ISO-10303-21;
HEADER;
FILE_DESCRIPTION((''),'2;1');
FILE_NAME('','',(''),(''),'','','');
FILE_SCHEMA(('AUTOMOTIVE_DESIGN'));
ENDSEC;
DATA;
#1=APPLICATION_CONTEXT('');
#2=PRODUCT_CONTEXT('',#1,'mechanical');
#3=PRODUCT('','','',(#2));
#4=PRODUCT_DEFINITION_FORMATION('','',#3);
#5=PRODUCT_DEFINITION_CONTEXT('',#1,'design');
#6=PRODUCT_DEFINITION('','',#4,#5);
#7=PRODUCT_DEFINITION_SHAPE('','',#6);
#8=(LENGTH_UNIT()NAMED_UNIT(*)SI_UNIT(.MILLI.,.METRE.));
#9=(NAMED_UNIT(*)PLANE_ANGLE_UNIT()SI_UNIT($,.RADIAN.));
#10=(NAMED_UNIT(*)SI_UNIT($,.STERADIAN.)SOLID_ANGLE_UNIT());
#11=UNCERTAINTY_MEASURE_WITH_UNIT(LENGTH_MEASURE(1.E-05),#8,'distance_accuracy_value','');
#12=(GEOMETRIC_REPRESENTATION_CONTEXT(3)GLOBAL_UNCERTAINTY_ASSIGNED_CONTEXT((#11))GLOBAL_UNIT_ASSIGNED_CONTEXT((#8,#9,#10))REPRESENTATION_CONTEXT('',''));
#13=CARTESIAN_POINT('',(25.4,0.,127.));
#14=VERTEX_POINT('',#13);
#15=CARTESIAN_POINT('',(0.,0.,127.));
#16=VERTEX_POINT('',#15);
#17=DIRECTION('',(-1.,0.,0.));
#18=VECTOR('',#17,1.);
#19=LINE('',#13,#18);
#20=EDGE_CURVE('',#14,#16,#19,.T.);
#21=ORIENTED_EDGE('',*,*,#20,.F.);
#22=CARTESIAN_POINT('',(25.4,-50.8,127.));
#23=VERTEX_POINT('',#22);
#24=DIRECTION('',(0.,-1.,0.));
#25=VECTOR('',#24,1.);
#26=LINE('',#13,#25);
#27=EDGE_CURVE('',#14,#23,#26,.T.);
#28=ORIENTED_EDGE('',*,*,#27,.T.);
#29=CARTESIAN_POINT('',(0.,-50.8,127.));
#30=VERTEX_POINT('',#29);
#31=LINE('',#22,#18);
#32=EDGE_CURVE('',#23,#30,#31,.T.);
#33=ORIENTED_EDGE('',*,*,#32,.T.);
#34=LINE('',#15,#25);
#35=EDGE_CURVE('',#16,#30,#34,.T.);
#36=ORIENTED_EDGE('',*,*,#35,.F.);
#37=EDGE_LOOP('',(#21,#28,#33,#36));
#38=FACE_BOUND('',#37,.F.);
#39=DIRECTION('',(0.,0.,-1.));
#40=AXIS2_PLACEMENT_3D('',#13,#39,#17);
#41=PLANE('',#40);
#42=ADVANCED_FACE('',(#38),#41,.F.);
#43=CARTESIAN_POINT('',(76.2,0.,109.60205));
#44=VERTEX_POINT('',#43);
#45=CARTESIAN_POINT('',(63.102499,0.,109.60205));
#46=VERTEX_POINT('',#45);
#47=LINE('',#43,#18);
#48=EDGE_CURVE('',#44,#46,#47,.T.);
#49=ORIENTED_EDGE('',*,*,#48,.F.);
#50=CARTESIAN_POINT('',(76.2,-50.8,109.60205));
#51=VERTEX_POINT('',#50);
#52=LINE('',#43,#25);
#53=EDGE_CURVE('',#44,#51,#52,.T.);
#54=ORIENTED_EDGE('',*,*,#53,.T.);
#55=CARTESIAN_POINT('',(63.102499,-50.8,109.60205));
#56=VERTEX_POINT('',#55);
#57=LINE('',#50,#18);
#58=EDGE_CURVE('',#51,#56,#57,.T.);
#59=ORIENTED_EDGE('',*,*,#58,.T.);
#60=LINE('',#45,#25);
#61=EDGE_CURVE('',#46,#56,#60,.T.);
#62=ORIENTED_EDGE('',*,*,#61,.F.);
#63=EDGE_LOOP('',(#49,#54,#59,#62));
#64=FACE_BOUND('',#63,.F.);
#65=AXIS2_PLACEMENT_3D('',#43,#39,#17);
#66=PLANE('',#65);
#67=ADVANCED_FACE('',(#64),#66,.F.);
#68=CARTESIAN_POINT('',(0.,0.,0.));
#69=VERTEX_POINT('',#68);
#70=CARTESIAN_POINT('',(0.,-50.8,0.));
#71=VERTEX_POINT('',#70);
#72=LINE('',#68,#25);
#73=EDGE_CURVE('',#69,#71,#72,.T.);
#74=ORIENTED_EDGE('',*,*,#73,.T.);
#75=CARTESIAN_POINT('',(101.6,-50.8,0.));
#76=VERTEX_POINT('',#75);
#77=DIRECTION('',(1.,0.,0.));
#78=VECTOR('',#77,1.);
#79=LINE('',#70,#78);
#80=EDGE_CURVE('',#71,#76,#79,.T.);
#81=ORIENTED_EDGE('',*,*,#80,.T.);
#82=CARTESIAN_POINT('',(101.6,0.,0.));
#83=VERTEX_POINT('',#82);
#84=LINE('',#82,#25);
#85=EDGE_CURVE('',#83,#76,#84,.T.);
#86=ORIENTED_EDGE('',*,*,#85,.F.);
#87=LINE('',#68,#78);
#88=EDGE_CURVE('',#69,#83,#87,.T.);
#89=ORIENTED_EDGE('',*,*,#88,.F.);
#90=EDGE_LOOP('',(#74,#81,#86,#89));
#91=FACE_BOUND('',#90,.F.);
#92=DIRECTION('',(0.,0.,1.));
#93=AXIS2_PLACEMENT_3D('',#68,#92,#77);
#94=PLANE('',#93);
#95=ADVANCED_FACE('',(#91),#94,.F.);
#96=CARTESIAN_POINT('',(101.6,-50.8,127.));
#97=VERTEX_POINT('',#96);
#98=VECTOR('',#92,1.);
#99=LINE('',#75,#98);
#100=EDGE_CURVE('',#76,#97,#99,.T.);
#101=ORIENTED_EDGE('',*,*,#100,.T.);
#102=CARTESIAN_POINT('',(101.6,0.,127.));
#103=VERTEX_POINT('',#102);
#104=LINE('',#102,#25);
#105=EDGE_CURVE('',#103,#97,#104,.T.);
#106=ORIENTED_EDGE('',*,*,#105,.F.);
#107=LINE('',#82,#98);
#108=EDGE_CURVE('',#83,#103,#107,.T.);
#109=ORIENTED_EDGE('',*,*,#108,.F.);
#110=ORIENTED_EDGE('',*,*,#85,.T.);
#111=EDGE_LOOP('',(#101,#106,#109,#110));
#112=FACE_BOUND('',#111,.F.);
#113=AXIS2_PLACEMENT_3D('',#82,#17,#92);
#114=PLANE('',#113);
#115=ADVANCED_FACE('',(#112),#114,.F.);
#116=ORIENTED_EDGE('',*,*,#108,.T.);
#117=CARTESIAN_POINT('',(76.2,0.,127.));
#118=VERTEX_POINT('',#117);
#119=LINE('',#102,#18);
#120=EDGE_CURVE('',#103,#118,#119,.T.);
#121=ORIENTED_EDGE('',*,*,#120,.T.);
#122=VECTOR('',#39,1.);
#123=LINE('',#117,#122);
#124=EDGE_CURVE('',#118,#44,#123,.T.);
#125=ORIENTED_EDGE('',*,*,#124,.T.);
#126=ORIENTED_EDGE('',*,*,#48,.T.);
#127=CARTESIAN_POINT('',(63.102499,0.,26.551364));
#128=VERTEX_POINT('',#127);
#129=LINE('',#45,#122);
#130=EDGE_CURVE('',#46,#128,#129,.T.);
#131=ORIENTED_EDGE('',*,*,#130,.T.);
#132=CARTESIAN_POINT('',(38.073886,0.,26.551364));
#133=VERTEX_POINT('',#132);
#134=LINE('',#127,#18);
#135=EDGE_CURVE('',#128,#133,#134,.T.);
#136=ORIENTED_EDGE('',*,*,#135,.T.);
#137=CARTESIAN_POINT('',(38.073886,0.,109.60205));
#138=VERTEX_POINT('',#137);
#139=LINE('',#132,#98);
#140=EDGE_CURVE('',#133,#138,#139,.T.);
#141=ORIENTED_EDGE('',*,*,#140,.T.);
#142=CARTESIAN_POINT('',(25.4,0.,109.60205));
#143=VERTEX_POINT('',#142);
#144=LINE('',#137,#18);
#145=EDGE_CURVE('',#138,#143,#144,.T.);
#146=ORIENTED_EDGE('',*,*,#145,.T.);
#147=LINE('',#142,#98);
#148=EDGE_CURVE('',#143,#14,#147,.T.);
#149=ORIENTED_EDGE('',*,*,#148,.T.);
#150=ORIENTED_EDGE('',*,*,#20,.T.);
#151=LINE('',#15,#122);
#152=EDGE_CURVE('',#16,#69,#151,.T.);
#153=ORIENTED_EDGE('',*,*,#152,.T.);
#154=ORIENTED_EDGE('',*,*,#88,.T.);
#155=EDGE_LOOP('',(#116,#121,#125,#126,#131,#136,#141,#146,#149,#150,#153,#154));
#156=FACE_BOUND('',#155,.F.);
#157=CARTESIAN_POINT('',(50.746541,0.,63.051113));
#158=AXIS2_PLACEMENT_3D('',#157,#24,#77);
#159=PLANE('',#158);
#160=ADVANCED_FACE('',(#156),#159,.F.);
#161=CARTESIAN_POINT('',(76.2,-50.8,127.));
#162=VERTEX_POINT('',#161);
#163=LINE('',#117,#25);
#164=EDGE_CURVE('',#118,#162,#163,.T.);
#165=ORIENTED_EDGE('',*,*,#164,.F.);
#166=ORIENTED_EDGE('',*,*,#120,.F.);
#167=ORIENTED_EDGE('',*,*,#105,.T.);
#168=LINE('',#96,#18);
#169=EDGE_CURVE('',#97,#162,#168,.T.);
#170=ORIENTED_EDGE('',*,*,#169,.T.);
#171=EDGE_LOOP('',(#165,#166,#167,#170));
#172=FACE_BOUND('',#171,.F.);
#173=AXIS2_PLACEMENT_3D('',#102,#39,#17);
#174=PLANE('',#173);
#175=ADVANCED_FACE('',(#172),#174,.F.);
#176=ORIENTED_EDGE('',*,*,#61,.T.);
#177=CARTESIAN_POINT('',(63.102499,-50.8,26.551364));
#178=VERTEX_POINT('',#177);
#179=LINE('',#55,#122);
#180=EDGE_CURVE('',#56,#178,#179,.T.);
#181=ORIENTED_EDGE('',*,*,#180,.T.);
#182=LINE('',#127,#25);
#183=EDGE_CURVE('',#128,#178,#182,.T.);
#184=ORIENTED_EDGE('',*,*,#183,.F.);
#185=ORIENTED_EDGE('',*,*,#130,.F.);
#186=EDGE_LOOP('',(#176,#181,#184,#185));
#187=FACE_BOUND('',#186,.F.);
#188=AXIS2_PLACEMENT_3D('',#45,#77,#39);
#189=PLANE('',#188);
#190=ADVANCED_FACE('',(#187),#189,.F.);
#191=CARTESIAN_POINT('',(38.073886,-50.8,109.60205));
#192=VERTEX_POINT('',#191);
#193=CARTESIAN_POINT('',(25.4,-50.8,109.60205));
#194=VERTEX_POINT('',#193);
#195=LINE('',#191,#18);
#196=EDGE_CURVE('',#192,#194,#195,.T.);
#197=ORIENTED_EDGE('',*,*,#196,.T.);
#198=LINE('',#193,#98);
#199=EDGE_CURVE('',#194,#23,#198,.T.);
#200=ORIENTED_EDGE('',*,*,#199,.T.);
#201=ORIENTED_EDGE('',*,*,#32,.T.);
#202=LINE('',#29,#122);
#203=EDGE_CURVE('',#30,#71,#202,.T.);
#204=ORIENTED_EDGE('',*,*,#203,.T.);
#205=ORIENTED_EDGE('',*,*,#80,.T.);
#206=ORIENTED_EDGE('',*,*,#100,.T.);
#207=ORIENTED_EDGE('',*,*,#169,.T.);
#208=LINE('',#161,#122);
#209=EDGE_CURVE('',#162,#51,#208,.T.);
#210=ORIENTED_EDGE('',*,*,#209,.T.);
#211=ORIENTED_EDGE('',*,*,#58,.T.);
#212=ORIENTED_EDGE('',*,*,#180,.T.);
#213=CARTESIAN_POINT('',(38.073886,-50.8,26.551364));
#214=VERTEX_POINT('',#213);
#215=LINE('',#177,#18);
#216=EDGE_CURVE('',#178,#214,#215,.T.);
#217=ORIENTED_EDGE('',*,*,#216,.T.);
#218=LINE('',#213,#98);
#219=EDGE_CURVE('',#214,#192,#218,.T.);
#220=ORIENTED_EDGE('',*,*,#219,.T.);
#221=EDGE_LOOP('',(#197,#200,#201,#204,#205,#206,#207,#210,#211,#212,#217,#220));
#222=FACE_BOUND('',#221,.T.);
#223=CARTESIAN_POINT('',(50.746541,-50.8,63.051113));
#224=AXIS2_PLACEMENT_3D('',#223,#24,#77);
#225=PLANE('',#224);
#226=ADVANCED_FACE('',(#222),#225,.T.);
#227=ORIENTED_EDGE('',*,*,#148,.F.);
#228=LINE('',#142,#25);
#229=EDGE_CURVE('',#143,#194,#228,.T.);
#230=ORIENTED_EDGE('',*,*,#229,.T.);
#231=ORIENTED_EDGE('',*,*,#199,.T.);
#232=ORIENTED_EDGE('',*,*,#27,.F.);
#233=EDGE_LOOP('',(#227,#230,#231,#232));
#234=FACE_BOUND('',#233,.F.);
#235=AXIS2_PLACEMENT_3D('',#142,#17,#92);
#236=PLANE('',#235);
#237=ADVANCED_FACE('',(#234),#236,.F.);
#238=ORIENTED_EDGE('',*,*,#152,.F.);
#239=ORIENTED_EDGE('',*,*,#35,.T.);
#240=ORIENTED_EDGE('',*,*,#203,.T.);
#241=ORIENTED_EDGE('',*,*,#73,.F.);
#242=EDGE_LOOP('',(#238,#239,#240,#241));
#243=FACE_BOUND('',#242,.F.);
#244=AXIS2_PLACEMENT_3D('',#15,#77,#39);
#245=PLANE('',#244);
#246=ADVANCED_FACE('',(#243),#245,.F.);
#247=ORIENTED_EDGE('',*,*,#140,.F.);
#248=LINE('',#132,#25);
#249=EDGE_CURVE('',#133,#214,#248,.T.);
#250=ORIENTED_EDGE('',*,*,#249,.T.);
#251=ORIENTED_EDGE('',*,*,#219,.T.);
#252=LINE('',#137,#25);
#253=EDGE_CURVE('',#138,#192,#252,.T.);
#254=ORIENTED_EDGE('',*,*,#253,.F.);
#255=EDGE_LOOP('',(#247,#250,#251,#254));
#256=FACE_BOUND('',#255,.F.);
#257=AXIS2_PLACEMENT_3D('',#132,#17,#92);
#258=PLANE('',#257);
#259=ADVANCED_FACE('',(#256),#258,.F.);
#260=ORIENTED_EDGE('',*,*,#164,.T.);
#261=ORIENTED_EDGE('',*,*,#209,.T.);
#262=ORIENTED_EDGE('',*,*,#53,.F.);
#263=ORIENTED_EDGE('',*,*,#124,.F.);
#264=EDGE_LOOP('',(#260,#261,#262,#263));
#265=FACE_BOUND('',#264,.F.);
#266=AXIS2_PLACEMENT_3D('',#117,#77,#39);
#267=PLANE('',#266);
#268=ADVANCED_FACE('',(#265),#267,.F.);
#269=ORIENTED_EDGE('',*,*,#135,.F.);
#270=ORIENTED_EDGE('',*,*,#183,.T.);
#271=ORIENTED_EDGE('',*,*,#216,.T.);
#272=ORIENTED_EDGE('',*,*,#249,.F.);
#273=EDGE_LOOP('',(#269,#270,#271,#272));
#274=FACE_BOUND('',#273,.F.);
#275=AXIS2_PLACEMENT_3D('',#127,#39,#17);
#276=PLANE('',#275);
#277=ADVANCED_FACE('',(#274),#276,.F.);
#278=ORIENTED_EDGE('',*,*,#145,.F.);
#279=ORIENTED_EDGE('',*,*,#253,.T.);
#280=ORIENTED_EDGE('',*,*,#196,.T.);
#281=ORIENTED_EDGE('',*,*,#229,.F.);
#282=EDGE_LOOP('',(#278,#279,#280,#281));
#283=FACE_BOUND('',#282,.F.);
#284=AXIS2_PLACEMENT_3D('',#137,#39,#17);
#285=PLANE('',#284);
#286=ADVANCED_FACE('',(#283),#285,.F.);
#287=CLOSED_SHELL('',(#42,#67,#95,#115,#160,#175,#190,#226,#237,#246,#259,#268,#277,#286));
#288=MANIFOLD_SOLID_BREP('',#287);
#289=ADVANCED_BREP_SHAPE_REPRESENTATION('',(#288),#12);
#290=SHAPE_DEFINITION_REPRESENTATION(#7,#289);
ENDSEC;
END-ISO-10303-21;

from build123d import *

# Parameters (mm, degrees)
F1_DEPTH = 50.8
F3_DEPTH = 508


with BuildPart() as f1:
    # F0 (on Front) → F1 (new body)
    with BuildSketch(Plane.XZ):
        Polygon((0, 127), (0, 0), (101.6, 0), (101.6, 127), (76.2, 127), (76.2, 109.6020500779), (63.1024986506, 109.6020500779), (63.1024986506, 90.5520500779), (63.1024986506, 26.5513639897), (38.0738861859, 26.5513639897), (38.0738861859, 90.5520500779), (38.0738861859, 109.6020500779), (25.4, 109.6020500779), (25.4, 127), align=None)
    extrude(amount=F1_DEPTH)

    # F2 (on face) → F3 (cut)
    with BuildSketch(Plane.XY.offset(26.5513639897)):
        with BuildLine():
            Line((63.1024986506, -39.3377331106), (63.1024986506, -9.0668934377))
            ThreePointArc((63.1024986506, -9.0668934377), (50.5881924182, -4.5633521483), (38.0738861859, -9.0668934377))
            Line((38.0738861859, -9.0668934377), (38.0738861859, -39.3377331106))
            ThreePointArc((38.0738861859, -39.3377331106), (50.5881924182, -43.8412744), (63.1024986506, -39.3377331106))
        make_face()
    extrude(amount=F3_DEPTH, mode=Mode.SUBTRACT)


solid = f1.part
